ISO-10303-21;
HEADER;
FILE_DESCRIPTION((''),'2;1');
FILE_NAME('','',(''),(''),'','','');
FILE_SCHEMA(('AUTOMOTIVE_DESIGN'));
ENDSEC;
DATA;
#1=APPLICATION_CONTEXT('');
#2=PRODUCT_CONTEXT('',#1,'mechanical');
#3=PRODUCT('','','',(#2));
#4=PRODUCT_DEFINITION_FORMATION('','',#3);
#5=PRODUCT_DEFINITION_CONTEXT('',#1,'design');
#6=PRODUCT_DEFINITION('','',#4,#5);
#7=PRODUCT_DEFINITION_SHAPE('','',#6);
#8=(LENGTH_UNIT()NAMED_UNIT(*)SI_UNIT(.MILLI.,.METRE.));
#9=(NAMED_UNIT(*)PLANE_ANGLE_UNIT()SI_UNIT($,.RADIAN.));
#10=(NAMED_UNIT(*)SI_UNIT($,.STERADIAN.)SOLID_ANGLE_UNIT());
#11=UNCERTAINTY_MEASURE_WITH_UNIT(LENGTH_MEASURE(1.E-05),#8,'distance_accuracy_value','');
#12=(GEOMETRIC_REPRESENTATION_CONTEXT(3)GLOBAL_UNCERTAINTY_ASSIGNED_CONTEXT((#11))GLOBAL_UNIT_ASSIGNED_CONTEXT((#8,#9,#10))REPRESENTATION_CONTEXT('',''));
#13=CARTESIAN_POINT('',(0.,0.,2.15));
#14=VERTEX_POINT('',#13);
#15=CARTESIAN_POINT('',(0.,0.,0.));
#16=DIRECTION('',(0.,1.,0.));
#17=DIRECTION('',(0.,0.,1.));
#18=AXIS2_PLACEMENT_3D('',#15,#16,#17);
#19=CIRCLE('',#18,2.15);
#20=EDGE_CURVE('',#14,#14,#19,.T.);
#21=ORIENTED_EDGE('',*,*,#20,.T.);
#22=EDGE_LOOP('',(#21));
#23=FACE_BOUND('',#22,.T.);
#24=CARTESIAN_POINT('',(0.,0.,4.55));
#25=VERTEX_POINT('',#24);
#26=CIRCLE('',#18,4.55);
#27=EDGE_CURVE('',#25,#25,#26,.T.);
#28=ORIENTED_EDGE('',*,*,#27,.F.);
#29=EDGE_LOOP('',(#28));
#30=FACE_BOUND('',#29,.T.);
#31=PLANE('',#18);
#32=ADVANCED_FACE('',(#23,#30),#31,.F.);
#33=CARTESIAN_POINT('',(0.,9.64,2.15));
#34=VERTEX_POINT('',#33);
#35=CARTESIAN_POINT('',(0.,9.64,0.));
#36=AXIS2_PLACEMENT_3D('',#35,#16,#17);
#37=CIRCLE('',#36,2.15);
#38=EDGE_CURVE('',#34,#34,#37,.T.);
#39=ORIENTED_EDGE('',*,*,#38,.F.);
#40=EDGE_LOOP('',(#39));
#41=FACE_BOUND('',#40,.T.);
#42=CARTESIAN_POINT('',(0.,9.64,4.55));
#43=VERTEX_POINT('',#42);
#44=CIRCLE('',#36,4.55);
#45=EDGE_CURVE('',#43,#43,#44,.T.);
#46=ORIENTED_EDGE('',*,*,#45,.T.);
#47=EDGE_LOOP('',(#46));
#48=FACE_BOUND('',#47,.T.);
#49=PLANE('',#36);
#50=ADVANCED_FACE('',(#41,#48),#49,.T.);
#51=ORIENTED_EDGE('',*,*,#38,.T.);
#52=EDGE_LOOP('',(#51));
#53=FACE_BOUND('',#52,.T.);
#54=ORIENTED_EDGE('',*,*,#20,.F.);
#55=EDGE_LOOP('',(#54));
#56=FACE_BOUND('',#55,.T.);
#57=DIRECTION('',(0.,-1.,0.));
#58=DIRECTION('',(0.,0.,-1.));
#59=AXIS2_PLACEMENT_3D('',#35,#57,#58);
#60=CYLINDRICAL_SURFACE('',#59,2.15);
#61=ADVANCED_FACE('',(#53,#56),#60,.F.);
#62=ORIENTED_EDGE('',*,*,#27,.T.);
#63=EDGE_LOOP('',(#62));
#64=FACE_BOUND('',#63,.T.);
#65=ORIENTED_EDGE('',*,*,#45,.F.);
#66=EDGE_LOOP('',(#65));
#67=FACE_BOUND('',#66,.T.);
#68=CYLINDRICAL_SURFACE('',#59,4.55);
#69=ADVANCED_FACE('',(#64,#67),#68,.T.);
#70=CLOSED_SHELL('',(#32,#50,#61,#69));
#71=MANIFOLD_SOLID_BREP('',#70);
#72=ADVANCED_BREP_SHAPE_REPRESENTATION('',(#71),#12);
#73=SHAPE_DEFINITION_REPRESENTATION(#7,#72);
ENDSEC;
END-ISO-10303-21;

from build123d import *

# Parameters (mm, degrees)
SKETCH1_R           = 4.55
SKETCH1_R_2         = 2.15
BOSS_EXTRUDE1_DEPTH = 9.64


with BuildPart() as part:
    # Sketch1 → Boss-Extrude1 (new body)
    with BuildSketch(Plane(origin=(0, 0, 0), x_dir=(1, 0, 0), z_dir=(0, 1, 0))):
        Circle(SKETCH1_R)
        Circle(SKETCH1_R_2, mode=Mode.SUBTRACT)
    extrude(amount=BOSS_EXTRUDE1_DEPTH)


solid = part.part
